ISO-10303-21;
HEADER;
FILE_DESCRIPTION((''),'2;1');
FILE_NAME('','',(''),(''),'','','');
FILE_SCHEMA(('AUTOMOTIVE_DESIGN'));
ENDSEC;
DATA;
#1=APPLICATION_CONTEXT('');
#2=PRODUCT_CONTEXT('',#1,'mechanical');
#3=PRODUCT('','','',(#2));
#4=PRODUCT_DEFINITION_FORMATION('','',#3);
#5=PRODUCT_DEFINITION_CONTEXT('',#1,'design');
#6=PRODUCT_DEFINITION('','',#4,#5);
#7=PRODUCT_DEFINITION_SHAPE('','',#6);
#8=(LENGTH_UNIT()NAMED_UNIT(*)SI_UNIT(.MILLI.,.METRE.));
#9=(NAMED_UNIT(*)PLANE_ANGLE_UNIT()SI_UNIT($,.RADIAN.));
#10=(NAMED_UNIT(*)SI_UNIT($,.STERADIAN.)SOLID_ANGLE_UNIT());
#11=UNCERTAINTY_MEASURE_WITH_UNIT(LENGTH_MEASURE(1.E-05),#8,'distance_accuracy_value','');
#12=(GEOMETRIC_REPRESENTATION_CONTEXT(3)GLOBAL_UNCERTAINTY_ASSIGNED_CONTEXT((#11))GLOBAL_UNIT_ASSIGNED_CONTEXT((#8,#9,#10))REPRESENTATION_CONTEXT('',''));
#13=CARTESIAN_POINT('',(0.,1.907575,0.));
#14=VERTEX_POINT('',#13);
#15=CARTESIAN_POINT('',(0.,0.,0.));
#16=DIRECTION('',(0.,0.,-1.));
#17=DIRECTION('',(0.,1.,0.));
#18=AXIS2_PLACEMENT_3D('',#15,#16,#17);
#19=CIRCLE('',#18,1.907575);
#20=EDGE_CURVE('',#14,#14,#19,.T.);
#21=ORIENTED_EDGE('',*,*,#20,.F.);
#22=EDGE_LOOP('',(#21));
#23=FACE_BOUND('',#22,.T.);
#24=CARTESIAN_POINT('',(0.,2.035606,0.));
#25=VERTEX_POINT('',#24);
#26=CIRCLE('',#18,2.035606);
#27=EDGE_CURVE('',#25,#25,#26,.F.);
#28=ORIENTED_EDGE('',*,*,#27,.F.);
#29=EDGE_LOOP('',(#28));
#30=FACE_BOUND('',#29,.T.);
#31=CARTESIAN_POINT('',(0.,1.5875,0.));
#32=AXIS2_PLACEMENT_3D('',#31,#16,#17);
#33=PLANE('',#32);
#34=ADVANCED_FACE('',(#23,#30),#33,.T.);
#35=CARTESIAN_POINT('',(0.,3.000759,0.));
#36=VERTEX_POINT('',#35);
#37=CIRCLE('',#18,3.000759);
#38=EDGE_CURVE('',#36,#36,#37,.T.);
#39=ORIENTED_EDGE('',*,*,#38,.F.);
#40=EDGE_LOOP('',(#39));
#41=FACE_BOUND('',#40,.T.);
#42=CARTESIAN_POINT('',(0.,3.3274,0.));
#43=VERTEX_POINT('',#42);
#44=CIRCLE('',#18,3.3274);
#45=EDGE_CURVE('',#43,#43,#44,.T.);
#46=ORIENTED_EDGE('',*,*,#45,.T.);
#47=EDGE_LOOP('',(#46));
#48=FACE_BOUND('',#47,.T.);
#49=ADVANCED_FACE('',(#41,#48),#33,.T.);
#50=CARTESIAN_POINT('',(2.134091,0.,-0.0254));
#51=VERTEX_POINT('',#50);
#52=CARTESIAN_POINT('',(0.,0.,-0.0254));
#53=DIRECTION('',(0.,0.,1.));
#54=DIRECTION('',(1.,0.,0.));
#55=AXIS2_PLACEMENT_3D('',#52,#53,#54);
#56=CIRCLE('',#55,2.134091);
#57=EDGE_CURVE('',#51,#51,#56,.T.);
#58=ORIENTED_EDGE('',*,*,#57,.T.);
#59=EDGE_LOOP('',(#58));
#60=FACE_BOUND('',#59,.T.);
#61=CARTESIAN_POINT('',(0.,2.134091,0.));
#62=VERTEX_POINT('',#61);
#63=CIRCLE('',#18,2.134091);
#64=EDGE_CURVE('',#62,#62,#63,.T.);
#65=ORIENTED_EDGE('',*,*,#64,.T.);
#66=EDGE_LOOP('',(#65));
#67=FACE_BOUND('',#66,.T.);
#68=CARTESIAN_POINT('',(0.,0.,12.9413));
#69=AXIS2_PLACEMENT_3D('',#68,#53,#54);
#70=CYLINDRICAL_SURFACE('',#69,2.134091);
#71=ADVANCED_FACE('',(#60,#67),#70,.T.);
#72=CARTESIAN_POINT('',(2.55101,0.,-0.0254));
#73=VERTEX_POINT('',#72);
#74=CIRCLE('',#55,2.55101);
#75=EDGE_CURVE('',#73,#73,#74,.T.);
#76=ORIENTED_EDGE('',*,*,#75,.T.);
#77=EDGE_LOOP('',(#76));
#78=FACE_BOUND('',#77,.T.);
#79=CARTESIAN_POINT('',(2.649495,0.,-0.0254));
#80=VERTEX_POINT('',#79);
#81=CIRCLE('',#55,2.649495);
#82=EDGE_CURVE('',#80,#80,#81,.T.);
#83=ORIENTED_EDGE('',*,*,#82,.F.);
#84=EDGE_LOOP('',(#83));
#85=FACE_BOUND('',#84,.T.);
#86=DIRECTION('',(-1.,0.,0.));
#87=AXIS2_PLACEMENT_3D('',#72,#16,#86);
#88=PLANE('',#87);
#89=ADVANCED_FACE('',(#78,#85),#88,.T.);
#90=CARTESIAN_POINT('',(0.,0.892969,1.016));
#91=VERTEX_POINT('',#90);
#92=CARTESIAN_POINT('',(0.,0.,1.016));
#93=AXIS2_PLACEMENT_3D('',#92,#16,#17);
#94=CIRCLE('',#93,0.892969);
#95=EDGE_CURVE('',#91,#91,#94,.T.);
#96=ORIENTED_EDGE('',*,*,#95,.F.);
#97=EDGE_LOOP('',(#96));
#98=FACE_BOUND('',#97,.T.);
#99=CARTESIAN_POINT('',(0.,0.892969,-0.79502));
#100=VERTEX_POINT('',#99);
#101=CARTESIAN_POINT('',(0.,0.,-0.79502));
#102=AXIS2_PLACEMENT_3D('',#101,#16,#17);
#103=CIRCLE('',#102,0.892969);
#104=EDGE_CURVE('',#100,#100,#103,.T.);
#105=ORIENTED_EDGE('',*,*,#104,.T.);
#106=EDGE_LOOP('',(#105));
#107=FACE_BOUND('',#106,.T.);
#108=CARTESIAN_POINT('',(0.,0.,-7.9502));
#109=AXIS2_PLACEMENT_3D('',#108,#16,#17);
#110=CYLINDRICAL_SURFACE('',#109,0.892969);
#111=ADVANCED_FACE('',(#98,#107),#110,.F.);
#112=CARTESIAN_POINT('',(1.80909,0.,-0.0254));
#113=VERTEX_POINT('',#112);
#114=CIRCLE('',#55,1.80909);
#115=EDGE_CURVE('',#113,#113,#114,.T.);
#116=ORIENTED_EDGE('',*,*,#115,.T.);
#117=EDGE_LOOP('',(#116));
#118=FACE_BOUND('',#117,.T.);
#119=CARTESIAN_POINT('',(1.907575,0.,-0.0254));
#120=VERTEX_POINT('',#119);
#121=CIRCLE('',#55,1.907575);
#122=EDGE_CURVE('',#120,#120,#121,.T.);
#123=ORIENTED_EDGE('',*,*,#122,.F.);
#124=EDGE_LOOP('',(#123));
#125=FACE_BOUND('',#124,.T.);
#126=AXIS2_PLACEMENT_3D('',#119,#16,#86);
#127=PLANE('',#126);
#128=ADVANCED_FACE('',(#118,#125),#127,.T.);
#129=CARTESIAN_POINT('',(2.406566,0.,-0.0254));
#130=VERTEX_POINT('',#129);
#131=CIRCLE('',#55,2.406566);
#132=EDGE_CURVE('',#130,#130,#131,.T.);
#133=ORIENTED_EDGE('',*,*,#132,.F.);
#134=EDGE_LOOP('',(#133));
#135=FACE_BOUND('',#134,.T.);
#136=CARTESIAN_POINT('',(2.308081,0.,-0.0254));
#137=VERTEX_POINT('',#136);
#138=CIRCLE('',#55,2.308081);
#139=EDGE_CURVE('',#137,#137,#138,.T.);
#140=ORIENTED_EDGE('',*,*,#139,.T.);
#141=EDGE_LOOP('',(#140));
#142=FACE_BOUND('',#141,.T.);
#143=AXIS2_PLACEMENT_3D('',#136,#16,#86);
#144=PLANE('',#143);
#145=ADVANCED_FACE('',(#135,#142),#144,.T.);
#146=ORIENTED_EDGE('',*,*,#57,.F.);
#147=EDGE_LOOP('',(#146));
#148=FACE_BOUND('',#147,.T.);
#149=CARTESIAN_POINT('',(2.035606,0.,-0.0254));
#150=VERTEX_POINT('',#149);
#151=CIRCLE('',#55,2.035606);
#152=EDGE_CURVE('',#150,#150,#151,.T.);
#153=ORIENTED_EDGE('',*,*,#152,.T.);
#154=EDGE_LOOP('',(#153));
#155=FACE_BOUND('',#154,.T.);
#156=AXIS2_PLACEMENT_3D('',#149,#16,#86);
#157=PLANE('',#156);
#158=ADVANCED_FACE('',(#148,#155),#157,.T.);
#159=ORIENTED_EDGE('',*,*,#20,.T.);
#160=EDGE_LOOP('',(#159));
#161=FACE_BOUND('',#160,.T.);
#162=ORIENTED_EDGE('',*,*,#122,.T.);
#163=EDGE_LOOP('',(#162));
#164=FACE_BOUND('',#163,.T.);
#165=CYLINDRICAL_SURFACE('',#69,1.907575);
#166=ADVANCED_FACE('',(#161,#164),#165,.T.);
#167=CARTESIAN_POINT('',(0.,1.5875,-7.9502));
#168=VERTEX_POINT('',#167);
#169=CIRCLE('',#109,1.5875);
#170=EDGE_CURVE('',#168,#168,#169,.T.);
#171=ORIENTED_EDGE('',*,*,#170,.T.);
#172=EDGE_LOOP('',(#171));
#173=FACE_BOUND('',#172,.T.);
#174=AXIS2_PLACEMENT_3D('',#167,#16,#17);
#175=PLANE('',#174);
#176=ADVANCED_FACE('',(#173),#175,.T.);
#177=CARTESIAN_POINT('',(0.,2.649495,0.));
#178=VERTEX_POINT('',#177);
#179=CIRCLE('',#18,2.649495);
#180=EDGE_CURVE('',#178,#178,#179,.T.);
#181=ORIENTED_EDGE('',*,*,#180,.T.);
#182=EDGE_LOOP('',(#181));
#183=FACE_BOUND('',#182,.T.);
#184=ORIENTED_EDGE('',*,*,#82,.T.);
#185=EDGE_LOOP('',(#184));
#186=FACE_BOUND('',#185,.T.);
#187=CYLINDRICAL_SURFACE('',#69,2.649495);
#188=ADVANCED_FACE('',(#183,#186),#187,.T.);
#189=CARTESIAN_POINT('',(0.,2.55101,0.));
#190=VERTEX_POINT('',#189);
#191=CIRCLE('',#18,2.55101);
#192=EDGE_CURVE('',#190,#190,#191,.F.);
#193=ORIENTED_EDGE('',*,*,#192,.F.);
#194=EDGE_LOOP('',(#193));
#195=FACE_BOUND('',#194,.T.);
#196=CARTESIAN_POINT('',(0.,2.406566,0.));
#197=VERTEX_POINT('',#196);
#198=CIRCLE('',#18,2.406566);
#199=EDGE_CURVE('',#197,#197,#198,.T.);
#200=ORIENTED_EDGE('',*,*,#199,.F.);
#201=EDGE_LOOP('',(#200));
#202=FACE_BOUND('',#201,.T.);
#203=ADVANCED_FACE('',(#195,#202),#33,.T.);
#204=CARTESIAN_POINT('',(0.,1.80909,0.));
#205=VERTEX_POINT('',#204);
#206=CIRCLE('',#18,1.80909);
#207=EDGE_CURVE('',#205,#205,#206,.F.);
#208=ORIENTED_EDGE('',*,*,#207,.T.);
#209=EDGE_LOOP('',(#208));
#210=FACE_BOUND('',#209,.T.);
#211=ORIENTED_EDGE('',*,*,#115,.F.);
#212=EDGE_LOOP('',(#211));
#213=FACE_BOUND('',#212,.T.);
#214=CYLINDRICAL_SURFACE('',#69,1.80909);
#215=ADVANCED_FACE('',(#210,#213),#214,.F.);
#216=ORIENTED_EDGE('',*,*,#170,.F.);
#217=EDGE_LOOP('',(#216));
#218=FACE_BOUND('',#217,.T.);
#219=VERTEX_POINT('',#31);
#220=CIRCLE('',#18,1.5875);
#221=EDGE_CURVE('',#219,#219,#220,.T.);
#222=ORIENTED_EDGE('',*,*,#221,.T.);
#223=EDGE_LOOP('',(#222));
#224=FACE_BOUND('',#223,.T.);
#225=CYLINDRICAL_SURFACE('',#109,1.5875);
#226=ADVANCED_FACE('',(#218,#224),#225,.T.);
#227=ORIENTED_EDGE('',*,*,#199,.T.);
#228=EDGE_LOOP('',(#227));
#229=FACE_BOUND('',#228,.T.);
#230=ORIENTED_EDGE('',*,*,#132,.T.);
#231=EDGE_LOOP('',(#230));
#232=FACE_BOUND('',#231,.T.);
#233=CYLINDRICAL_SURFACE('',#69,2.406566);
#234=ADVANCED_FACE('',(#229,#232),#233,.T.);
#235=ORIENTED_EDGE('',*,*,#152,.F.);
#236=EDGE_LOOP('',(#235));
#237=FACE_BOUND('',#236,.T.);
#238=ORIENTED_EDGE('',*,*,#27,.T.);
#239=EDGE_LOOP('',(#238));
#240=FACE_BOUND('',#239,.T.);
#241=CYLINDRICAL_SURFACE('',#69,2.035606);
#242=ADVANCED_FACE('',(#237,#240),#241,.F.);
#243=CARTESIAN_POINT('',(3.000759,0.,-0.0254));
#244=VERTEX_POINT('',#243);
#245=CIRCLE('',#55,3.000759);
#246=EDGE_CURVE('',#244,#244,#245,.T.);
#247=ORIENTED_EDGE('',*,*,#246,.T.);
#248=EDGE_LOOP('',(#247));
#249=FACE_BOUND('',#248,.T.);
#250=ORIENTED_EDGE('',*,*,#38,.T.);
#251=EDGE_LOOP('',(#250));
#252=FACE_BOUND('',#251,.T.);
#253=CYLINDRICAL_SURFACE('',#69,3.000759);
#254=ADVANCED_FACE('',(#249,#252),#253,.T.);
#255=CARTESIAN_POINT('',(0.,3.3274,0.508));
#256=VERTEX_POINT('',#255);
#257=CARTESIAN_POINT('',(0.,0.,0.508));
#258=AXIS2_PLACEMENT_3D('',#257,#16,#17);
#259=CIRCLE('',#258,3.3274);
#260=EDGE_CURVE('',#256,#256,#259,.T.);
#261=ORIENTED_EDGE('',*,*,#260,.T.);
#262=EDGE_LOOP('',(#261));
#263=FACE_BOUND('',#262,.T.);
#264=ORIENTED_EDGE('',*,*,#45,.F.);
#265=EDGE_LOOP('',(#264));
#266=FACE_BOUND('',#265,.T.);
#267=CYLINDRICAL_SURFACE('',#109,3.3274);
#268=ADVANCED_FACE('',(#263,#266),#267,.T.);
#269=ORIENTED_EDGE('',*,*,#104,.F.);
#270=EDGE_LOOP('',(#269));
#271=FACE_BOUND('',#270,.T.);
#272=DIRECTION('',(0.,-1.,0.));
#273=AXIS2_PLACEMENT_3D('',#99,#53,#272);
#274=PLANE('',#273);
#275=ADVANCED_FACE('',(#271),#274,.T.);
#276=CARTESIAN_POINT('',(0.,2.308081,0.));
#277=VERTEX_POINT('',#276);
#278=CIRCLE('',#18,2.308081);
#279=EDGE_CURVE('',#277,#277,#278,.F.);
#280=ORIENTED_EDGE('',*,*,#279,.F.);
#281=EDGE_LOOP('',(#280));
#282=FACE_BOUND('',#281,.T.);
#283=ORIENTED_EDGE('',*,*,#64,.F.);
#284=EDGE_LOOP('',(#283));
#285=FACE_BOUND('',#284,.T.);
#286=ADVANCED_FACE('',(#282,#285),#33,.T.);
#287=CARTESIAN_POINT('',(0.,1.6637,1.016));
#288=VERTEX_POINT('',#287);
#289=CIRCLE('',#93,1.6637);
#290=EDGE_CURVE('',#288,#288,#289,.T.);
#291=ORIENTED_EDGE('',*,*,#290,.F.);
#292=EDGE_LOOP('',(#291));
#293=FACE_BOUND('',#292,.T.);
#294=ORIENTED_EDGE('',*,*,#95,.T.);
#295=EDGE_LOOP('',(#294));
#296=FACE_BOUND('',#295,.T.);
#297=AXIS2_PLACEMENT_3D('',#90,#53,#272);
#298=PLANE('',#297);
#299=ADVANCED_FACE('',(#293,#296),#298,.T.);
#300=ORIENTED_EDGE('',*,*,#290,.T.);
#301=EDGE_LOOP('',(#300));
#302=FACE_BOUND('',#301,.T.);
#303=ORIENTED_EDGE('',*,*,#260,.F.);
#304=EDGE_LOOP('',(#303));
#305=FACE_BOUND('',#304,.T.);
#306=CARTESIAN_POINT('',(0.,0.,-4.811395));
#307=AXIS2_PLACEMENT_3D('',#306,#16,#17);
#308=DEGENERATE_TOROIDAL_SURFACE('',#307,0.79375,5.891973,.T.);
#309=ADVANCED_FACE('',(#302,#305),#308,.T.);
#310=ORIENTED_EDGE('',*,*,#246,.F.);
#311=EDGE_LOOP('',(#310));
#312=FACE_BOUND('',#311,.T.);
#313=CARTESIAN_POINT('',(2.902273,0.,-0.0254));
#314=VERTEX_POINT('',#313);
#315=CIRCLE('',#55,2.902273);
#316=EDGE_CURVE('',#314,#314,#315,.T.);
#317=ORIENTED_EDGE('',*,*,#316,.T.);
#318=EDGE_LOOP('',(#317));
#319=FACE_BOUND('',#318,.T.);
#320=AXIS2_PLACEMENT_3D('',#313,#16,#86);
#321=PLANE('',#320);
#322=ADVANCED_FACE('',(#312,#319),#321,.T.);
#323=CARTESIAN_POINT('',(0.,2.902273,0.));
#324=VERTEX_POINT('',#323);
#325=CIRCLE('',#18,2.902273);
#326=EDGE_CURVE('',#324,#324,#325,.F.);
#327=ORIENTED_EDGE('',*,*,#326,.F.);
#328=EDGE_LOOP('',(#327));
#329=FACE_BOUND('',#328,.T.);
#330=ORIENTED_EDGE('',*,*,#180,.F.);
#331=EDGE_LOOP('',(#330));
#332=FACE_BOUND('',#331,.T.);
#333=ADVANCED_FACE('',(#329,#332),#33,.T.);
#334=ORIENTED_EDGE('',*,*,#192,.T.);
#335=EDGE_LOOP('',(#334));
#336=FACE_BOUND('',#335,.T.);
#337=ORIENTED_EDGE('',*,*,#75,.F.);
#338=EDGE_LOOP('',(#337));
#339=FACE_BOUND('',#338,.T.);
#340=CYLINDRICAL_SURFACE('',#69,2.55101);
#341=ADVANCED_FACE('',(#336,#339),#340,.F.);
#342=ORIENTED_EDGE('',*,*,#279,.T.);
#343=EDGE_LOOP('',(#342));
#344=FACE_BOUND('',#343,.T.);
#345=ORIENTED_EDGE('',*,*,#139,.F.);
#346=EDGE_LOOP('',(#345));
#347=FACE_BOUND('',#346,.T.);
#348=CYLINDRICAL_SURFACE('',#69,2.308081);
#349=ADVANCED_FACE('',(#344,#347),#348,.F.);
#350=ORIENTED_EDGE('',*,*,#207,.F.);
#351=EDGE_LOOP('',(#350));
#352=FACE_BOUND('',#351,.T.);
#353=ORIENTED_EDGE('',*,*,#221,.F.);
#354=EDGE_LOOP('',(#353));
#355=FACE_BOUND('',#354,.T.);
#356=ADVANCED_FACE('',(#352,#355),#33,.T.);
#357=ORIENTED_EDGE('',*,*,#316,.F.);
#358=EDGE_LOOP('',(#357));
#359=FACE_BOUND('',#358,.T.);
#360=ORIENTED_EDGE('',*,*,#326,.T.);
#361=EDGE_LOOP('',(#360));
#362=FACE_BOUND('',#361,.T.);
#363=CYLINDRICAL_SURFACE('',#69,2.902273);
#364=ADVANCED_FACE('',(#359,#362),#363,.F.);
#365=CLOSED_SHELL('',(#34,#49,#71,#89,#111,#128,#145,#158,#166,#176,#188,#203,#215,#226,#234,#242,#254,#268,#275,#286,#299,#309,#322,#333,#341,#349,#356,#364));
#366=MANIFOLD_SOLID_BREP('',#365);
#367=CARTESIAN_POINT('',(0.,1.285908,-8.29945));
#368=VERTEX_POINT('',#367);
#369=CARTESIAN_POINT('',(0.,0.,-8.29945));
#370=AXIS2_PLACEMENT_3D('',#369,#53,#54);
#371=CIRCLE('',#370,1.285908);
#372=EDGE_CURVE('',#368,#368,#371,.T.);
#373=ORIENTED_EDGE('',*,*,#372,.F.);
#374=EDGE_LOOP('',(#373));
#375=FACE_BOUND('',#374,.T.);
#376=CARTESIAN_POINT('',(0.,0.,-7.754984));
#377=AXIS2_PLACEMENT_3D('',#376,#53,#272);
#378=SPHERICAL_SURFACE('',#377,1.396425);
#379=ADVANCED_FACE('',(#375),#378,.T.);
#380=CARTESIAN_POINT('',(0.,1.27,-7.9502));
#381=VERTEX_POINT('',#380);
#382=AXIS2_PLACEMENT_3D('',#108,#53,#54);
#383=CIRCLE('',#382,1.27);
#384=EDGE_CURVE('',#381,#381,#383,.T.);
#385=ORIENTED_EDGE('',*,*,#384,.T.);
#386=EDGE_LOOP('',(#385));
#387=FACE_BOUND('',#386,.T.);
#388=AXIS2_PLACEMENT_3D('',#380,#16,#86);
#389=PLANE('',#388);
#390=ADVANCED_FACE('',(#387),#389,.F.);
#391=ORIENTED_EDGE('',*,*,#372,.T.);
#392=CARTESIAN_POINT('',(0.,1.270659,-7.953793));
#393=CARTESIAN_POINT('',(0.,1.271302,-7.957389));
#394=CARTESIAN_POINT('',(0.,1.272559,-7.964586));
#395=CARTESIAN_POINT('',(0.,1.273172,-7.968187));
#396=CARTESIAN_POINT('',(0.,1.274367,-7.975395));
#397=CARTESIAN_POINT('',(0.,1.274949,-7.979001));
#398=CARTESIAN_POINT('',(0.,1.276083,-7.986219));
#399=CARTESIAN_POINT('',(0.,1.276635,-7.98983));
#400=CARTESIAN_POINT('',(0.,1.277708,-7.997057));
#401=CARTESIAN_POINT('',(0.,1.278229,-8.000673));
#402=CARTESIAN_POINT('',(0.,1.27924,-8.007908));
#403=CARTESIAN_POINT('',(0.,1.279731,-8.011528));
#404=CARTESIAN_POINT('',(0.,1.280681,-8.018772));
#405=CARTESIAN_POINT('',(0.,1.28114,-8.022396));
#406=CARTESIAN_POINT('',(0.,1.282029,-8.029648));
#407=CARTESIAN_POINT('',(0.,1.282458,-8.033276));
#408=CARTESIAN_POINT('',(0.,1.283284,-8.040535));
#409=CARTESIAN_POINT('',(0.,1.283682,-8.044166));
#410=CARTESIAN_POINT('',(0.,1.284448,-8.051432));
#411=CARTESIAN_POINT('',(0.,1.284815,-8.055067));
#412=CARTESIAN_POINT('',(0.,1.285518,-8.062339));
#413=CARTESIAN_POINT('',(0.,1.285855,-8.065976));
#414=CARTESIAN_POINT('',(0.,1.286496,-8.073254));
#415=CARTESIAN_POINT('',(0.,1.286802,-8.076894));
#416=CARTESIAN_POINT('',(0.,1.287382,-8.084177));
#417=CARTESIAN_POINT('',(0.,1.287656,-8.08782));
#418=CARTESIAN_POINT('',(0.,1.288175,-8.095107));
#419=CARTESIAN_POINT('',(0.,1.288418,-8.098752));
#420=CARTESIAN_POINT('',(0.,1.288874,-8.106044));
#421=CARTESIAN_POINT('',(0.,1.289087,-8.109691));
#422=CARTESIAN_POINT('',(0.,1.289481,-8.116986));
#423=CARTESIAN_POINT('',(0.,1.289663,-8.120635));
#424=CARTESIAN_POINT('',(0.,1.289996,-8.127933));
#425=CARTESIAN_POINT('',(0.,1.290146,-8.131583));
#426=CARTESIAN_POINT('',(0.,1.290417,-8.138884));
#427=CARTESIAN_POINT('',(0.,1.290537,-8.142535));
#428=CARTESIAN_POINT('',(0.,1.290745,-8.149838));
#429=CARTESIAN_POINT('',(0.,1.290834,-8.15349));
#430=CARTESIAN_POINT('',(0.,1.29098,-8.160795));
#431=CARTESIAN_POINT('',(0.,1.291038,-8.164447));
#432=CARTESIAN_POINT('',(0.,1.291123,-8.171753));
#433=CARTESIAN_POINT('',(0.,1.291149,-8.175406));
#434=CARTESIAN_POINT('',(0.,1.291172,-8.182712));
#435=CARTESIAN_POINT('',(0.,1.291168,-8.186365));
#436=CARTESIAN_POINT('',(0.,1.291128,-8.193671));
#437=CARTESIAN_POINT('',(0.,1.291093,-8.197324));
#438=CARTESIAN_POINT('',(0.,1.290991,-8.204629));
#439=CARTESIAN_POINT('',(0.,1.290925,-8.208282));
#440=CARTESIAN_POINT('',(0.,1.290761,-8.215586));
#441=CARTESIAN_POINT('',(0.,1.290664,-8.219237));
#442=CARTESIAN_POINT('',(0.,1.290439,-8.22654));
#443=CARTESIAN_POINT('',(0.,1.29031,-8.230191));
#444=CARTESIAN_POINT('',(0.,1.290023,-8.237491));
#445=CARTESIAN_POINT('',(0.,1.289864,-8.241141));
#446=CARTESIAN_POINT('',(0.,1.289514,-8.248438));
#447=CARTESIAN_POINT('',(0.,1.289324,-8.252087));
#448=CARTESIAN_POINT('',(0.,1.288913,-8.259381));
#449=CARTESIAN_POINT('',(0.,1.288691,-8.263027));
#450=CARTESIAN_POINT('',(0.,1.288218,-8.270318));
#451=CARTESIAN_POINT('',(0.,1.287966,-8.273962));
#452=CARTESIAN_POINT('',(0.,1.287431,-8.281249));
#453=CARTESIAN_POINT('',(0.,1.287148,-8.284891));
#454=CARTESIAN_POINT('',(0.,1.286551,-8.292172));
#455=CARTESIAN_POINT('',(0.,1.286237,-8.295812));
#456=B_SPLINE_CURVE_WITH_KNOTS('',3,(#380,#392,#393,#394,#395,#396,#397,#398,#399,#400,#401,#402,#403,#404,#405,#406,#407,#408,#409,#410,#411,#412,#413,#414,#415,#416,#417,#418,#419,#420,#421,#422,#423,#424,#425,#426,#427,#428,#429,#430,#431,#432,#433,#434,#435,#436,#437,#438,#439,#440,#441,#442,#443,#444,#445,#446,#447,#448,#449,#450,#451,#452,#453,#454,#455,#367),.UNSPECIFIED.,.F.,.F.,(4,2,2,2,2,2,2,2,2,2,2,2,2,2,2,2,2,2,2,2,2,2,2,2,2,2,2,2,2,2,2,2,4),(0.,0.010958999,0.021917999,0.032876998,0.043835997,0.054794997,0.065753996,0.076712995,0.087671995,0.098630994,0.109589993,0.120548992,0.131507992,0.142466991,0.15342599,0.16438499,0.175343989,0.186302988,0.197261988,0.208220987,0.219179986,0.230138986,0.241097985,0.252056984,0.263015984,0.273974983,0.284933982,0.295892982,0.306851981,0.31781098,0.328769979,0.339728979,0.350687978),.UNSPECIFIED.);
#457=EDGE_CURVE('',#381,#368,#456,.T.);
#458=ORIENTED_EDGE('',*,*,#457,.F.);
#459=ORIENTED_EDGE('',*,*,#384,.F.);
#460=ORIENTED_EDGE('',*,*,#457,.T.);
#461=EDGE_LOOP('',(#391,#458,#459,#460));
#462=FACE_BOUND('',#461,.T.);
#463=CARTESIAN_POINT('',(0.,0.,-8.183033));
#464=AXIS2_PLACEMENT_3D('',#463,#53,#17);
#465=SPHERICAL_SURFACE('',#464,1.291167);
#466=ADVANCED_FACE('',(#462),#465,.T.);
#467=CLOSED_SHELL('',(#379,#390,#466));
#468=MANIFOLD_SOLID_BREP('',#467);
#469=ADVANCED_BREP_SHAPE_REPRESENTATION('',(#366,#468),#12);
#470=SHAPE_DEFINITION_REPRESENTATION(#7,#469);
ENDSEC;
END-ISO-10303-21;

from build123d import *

# Parameters (mm, degrees)
CUT_EXTRUDE1_DEPTH      = 14.770273365
CIRPATTERN1_COUNT       = 2
CIRPATTERN1_ANGLE       = 90
SKETCH9_W               = 0.0984853
SKETCH9_H               = 0.0254
SKETCH9_W_2             = 0.098485299
CUT_EXTRUDE2_DEPTH      = 13.82013896
CUT_EXTRUDE2_DEPTH_BACK = 1.81102
SKETCH10_R              = 0.79375


with BuildPart() as part:
    # Sketch2 → Revolve1 (revolve)
    with BuildSketch(Plane(origin=(0, 0, 0), x_dir=(0, 0, -1), z_dir=(1, 0, 0))):
        with BuildLine():
            Line((7.9502, 1.5875), (0, 1.5875))
            Line((0, 1.5875), (0, 3.3274))
            Line((0, 3.3274), (-0.508, 3.3274))
            ThreePointArc((-0.508, 3.3274), (-0.823736431, 2.514400819), (-1.016, 1.6637))
            Line((-1.016, 1.6637), (-1.016, 0.89296875))
            Line((-1.016, 0.89296875), (0, 0.89296875))
            Line((0, 0.89296875), (0.79502, 0.89296875))
            Line((0.79502, 0.89296875), (0.79502, 0))
            Line((0.79502, 0), (7.9502, 0))
            Line((7.9502, 0), (7.9502, 1.5875))
        make_face()
    revolve(axis=Axis((0, 0, -7.9502), (0, 0, 1)))

    # Sketch9 → Revolve4 (revolve)
    with BuildSketch(Plane(origin=(0, 0, 0), x_dir=(1, 0, 0), z_dir=(0, 1, 0))):
        with Locations((2.084848675, 0.0127)):
            Rectangle(SKETCH9_W, SKETCH9_H)
        with Locations((2.357323627, 0.0127)):
            Rectangle(SKETCH9_W, SKETCH9_H)
        with Locations((2.600252293, 0.0127)):
            Rectangle(SKETCH9_W_2, SKETCH9_H)
        with Locations((2.951516006, 0.0127)):
            Rectangle(SKETCH9_W, SKETCH9_H)
        with Locations((1.858332834, 0.0127)):
            Rectangle(SKETCH9_W, SKETCH9_H)
    revolve(axis=Axis((0, 0, 12.9413), (0, 0, -1)))


with BuildPart() as body_2:
    # Sketch7 → Revolve2 (revolve)
    with BuildSketch(Plane(origin=(0, 0, 0), x_dir=(0, 0, -1), z_dir=(1, 0, 0))):
        with BuildLine():
            Line((-12.188329368, 0.79375), (0.79502, 0.79375))
            Line((0.79502, 0.79375), (0.79502, 0))
            Line((0.79502, 0), (-12.9413, 0))
            ThreePointArc((-12.9413, 0), (-12.908763915, 0.146760795), (-12.817252416, 0.266020902))
            Line((-12.817252416, 0.266020902), (-12.188329368, 0.79375))
        make_face()
    revolve(axis=Axis((0, 0, 12.9413), (0, 0, -1)))

    # Sketch3 → Cut-Extrude1 (cut, symmetric)
    with BuildSketch(Plane(origin=(0, 0, 0), x_dir=(1, 0, 0), z_dir=(0, 1, 0))):
        Polygon((-0.99695, -10.809041225), (-0.220871274, -12.9413), (0.220871274, -12.9413), (0.99695, -10.809041225), (0.99695, -13.4493), (-0.99695, -13.4493), align=None)
    cut_extrude1 = extrude(amount=CUT_EXTRUDE1_DEPTH, both=True, mode=Mode.SUBTRACT)

    # CirPattern1: Cut-Extrude1 ×2 about axis
    cirpattern1_axis = Axis((0, 0, 12.9413), (0, 0, -1))
    for i in range(1, CIRPATTERN1_COUNT):
        add(cut_extrude1.rotate(cirpattern1_axis, i * CIRPATTERN1_ANGLE / (CIRPATTERN1_COUNT - 1)), mode=Mode.SUBTRACT)

    # Sketch10 → Cut-Extrude2 (cut, two sides: drawn at the far end of the back side and taken through both)
    with BuildSketch(Plane.XY.offset(1.016).offset(-CUT_EXTRUDE2_DEPTH_BACK)):
        Circle(SKETCH10_R)
    extrude(amount=CUT_EXTRUDE2_DEPTH + CUT_EXTRUDE2_DEPTH_BACK, mode=Mode.SUBTRACT)


with BuildPart() as body_3:
    # Sketch8 → Revolve3 (revolve)
    with BuildSketch(Plane(origin=(0, 0, 0), x_dir=(0, 0, -1), z_dir=(1, 0, 0)), mode=Mode.PRIVATE) as revolve3_sk:
        with BuildLine():
            Line((7.9502, 1.27), (7.9502, 0))
            Line((7.9502, 0), (9.151408333, 0))
            ThreePointArc((9.151408333, 0), (8.919094503, 0.77126382), (8.29945, 1.285907664))
            ThreePointArc((8.29945, 1.285907664), (8.124284091, 1.289829403), (7.9502, 1.27))
        make_face()
    revolve(revolve3_sk.sketch.rotate(Axis((0, 0, -7.9502), (0, 0, -1)), 90), axis=Axis((0, 0, -7.9502), (0, 0, -1)))


solid = Compound([part.part, body_3.part])
